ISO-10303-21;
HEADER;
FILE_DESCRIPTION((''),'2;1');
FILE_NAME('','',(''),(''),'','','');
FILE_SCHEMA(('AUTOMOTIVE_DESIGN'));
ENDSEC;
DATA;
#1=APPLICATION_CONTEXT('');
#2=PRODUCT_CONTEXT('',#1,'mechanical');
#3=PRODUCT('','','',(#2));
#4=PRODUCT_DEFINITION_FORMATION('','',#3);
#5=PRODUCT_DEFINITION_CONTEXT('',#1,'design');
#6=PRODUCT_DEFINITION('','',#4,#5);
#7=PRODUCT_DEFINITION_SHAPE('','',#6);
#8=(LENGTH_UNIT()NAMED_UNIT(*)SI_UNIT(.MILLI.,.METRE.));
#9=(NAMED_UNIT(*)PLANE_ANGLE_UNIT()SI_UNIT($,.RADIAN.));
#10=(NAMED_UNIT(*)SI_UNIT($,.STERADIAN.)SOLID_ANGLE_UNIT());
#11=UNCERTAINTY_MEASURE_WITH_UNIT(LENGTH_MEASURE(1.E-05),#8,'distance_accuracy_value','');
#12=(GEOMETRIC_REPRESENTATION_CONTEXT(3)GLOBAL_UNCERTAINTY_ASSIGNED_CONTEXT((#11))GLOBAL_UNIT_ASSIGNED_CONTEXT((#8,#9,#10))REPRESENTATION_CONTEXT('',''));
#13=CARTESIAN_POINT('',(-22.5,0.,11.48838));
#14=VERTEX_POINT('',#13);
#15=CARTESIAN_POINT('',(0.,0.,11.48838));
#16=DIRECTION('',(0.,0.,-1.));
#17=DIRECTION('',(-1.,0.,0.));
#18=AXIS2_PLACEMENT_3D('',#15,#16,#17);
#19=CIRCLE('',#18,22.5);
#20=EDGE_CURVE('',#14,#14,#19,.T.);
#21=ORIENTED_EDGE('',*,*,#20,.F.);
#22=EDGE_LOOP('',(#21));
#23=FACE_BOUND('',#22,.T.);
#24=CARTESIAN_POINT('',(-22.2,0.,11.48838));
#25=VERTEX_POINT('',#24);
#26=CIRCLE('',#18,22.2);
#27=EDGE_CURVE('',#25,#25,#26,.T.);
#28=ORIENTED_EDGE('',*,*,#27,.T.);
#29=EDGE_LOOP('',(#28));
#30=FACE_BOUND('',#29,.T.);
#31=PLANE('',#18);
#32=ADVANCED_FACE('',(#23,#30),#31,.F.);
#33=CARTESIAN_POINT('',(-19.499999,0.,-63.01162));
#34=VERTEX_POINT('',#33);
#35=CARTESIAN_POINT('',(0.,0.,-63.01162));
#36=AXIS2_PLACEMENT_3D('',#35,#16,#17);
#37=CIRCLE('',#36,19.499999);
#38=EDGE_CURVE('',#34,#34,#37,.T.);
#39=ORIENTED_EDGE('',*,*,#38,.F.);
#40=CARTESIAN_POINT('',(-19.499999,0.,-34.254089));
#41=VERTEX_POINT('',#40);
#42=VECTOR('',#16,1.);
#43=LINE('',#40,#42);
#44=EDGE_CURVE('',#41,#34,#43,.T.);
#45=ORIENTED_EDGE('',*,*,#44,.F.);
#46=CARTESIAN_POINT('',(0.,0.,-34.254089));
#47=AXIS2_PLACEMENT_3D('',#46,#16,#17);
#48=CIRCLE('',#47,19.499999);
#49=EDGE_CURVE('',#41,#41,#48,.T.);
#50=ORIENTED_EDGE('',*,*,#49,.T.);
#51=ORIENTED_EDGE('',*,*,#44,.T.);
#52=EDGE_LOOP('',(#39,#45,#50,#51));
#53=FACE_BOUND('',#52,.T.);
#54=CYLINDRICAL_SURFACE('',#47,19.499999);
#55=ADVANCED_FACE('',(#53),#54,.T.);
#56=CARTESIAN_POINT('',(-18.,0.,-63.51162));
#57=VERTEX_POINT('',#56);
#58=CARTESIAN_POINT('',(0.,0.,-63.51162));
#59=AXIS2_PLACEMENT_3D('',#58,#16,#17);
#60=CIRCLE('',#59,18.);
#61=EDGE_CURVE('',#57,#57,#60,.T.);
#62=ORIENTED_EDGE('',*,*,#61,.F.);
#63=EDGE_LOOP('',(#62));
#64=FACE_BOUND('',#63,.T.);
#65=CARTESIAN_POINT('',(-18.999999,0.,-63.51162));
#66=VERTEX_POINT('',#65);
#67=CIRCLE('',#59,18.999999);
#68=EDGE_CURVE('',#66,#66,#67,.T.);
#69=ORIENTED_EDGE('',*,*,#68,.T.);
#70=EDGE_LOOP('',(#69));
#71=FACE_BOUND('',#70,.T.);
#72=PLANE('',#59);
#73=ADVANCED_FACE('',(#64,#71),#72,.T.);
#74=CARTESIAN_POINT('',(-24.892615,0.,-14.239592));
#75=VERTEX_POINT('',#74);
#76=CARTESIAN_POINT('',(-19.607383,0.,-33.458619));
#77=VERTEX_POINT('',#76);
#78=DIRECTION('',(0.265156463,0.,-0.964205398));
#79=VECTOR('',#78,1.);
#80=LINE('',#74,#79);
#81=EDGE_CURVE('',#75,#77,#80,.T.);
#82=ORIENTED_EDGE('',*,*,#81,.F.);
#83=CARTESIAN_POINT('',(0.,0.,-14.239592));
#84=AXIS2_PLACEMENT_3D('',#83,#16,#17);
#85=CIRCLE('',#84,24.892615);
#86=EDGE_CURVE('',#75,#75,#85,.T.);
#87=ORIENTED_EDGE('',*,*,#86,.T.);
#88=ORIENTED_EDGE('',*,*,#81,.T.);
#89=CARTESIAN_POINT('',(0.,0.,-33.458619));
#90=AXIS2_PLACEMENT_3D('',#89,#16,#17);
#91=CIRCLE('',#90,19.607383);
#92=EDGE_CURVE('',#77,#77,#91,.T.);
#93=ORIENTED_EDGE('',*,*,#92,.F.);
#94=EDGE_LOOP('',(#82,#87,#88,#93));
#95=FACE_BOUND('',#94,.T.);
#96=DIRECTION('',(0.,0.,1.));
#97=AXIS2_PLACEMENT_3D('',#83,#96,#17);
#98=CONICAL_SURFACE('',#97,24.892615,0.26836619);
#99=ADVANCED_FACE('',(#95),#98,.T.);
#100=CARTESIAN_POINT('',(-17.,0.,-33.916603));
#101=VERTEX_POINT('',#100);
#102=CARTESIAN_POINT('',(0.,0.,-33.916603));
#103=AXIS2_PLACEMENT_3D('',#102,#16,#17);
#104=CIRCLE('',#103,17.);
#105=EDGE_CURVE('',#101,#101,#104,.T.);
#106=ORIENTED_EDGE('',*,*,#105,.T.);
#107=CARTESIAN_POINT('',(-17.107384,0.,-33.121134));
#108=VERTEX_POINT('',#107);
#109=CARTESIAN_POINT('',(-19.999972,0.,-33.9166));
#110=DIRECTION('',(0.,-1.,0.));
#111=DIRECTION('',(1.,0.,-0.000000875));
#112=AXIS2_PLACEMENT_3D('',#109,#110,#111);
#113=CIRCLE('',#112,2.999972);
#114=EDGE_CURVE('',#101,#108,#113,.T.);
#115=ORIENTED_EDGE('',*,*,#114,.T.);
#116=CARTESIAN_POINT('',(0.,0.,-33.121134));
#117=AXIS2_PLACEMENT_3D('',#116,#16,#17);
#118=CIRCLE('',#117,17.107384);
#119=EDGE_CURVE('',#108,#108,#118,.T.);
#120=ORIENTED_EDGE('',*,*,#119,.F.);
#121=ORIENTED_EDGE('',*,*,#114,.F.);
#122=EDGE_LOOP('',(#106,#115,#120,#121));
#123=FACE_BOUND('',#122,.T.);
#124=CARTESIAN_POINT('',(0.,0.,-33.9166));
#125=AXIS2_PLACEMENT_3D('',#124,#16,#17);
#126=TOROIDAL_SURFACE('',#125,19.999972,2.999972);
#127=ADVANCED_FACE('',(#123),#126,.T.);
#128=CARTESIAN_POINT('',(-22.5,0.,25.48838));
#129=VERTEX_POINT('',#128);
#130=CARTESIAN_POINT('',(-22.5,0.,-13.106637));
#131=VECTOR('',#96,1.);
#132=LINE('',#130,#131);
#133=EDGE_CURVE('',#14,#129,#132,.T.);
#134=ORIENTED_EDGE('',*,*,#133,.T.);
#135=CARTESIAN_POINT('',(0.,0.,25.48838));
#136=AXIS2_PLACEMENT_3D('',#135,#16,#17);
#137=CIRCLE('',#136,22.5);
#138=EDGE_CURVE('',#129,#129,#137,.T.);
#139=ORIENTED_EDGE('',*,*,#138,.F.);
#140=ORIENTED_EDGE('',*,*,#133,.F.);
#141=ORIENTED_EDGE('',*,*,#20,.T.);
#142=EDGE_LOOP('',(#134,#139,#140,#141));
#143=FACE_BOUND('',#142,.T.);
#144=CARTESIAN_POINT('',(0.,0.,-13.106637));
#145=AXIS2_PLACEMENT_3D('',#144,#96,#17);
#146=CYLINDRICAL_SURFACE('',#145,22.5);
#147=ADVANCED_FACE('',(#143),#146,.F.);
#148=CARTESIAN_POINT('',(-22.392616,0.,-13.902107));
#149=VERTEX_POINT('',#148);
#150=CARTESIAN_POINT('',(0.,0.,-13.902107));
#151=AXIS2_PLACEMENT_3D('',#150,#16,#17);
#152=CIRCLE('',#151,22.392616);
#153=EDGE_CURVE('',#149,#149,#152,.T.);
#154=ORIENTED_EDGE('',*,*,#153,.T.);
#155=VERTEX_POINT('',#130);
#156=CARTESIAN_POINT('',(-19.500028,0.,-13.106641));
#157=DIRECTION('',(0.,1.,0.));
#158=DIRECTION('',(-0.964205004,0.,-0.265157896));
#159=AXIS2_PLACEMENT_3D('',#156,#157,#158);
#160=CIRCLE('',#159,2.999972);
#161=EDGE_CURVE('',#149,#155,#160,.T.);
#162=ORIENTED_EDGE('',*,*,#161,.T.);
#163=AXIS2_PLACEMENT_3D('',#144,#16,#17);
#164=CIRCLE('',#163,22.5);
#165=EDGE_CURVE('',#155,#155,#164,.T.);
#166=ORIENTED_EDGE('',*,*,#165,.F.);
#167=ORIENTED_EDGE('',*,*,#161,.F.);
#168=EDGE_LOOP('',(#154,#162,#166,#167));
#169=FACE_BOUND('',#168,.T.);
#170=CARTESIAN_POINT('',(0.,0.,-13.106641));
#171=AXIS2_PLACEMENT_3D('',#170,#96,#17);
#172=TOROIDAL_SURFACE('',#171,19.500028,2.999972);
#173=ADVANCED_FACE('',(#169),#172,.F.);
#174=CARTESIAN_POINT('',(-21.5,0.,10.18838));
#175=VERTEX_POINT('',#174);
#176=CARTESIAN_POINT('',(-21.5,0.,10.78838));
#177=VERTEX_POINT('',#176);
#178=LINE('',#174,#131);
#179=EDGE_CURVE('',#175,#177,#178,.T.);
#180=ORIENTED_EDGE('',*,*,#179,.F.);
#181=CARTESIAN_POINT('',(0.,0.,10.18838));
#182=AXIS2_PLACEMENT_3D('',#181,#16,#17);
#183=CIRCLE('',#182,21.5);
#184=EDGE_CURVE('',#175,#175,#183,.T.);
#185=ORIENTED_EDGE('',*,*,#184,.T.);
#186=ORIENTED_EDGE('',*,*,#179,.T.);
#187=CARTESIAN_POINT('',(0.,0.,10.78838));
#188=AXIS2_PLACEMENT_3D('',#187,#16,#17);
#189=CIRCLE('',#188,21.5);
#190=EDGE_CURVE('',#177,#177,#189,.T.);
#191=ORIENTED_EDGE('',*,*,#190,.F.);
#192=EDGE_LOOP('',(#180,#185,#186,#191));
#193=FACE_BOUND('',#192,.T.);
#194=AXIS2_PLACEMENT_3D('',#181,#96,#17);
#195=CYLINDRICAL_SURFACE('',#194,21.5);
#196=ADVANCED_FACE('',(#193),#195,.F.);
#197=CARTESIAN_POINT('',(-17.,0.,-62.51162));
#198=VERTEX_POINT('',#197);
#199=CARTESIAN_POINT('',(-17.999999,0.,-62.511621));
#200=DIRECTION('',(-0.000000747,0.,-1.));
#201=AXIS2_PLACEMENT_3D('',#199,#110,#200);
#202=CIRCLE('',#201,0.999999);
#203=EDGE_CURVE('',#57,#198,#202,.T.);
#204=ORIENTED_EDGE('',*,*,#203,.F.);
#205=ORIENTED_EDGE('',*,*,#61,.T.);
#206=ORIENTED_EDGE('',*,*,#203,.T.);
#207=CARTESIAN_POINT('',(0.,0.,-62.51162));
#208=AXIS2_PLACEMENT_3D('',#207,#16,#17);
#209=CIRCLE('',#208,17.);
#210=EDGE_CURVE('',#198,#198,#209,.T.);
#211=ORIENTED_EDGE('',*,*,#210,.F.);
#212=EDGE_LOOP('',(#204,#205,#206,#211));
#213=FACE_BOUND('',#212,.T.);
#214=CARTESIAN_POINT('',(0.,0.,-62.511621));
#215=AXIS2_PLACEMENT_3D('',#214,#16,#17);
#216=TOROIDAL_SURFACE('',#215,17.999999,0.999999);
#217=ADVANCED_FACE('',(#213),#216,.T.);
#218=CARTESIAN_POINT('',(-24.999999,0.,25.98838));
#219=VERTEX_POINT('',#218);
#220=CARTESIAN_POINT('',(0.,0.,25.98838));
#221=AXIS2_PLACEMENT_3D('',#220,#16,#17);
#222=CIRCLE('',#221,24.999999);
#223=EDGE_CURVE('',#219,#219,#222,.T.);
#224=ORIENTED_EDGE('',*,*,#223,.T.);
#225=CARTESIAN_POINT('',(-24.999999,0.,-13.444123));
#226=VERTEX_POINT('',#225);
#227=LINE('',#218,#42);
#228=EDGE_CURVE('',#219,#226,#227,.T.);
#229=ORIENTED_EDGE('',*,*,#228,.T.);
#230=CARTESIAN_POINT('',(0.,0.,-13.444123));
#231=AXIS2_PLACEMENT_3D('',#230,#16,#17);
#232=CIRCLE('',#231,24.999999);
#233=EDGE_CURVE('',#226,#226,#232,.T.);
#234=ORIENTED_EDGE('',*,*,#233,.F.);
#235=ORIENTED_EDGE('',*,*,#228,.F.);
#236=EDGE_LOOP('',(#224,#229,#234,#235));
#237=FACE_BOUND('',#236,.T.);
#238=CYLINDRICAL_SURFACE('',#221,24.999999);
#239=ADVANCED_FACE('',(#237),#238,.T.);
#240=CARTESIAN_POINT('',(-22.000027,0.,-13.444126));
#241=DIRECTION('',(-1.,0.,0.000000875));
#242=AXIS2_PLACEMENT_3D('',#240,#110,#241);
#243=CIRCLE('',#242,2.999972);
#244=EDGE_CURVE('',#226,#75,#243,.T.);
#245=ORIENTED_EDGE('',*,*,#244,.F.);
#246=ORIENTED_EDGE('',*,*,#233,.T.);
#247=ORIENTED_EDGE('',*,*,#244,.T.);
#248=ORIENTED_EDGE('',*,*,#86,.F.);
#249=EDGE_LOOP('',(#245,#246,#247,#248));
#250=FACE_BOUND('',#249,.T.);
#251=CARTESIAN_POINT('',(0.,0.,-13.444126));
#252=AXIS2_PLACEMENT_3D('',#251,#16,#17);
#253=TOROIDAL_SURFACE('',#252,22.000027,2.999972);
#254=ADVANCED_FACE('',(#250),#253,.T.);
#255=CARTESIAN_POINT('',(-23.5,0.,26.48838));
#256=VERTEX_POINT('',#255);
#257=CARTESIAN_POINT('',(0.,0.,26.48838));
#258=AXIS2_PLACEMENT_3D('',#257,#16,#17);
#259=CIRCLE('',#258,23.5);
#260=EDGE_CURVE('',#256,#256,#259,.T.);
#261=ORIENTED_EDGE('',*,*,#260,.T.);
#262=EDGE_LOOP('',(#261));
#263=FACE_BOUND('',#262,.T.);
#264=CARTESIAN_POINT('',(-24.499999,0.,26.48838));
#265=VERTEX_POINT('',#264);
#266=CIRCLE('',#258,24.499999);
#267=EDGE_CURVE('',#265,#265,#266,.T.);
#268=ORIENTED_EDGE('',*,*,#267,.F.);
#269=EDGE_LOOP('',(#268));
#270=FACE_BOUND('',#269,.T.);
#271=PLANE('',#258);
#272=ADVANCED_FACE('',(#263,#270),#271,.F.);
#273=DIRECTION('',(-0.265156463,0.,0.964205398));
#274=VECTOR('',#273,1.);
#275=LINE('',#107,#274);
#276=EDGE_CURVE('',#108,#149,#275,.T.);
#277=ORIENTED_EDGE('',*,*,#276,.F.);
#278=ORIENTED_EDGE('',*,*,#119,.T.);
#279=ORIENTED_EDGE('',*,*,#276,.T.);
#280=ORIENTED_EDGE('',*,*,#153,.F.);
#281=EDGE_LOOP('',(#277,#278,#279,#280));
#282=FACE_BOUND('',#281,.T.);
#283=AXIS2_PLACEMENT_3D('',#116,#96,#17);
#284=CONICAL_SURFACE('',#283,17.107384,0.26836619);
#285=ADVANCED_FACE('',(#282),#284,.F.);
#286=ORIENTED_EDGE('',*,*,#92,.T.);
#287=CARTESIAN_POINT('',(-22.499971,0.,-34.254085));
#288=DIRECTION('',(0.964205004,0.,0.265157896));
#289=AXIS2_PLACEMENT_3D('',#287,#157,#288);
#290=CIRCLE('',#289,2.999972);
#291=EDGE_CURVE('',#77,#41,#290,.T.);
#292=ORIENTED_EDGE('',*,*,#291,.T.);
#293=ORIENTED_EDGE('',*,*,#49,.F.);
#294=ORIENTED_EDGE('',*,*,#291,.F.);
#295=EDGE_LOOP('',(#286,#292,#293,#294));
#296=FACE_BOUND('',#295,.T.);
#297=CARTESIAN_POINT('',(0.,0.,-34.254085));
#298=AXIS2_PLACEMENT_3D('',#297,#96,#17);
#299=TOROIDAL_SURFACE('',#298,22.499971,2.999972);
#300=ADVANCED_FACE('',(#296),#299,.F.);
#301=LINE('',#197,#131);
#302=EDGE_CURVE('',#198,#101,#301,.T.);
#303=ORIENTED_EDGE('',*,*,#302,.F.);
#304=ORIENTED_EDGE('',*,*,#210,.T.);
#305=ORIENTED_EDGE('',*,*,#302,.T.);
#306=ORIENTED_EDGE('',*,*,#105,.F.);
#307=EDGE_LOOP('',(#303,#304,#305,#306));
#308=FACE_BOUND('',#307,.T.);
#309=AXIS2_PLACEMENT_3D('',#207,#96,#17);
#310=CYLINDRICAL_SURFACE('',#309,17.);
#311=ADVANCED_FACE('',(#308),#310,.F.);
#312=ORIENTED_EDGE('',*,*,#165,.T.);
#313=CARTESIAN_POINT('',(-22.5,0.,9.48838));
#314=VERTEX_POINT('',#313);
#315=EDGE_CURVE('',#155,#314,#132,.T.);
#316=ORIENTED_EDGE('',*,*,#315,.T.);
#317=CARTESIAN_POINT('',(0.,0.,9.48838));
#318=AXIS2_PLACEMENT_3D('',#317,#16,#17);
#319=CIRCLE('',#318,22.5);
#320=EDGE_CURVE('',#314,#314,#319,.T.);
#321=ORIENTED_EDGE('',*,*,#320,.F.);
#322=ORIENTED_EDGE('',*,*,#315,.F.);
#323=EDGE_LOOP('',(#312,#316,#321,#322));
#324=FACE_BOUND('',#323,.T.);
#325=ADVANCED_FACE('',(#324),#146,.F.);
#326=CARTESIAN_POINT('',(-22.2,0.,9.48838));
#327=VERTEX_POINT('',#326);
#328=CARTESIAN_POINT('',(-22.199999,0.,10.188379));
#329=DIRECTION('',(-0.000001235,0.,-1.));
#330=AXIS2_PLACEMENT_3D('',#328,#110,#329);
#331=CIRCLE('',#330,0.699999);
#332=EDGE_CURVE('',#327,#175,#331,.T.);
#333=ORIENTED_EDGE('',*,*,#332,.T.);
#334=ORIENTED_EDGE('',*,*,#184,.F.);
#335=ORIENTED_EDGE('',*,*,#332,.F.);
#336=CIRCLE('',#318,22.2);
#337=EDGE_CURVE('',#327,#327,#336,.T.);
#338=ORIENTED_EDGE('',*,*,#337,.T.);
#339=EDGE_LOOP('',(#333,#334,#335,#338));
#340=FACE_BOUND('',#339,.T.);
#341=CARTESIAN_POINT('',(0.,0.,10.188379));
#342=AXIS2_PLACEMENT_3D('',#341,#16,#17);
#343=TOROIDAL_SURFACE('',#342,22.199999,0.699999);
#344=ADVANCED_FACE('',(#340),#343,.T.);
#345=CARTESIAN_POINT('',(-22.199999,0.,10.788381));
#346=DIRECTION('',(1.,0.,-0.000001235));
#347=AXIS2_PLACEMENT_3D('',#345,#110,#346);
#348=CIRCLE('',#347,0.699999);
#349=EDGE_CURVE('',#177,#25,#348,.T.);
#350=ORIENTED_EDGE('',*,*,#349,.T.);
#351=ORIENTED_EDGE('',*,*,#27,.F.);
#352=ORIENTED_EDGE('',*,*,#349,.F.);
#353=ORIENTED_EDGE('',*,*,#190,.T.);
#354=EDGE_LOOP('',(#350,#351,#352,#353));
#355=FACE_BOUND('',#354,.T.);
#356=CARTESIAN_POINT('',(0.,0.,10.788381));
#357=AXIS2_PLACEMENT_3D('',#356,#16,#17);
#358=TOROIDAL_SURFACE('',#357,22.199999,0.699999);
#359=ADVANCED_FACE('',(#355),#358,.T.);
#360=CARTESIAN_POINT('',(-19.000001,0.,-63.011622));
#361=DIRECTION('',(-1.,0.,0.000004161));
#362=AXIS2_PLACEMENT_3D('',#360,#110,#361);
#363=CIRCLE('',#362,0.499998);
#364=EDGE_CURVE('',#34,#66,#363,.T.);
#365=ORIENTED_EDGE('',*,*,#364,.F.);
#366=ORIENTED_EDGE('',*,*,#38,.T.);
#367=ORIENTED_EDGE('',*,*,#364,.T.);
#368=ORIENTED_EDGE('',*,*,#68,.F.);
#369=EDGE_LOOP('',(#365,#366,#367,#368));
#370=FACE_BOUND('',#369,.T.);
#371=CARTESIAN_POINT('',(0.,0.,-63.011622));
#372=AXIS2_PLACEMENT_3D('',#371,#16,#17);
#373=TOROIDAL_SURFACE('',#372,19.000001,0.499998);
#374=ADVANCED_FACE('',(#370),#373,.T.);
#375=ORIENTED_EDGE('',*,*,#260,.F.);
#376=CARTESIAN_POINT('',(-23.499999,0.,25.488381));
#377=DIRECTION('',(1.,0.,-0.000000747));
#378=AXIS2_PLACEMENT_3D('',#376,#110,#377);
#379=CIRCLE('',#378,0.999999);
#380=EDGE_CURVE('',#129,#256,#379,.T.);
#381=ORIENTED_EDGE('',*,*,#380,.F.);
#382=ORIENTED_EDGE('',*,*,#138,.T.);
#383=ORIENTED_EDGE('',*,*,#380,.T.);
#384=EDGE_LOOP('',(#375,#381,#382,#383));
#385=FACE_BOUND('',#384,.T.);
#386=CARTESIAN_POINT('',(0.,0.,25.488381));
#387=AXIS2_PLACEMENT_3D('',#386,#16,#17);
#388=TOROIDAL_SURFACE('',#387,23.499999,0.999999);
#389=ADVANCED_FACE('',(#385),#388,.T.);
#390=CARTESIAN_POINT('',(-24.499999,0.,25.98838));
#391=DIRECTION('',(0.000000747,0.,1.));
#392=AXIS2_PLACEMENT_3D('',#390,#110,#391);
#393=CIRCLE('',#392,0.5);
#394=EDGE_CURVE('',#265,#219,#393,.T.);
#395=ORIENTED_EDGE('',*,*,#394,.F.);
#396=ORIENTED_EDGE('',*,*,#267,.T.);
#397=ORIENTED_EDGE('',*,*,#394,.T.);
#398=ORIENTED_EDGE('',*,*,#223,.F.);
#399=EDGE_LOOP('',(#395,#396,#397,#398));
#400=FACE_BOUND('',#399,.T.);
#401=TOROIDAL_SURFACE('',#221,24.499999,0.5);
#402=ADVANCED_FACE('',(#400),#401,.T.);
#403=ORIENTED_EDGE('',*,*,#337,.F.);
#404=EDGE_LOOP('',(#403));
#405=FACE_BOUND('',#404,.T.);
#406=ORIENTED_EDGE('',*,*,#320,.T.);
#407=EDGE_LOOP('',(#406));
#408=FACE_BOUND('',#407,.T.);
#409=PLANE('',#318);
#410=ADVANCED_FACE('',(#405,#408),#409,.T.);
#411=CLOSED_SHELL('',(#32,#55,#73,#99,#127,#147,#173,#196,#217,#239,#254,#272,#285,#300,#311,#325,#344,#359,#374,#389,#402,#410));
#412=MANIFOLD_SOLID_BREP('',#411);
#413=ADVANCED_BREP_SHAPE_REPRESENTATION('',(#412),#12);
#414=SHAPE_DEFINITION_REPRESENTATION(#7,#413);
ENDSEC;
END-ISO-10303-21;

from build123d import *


with BuildPart() as f1:
    # F0 (on Front) → F1 (revolve)
    with BuildSketch(Plane.XZ):
        with BuildLine():
            Line((-22.5, 11.48838), (-22.5, 25.48838))
            ThreePointArc((-22.5, 25.48838), (-22.792893, 26.195487), (-23.5, 26.48838))
            Line((-23.5, 26.48838), (-24.499999, 26.48838))
            ThreePointArc((-24.499999, 26.48838), (-24.853553, 26.341933), (-24.999999, 25.98838))
            Line((-24.999999, 25.98838), (-24.999999, -13.444123))
            ThreePointArc((-24.999999, -13.444123), (-24.973032, -13.845465), (-24.892615, -14.239592))
            Line((-24.892615, -14.239592), (-19.607383, -33.458619))
            ThreePointArc((-19.607383, -33.458619), (-19.526966, -33.852746), (-19.499999, -34.254089))
            Line((-19.499999, -34.254089), (-19.499999, -63.01162))
            ThreePointArc((-19.499999, -63.01162), (-19.353553, -63.365174), (-18.999999, -63.51162))
            Line((-18.999999, -63.51162), (-18, -63.51162))
            ThreePointArc((-18, -63.51162), (-17.292893, -63.218727), (-17, -62.51162))
            Line((-17, -62.51162), (-17, -33.916603))
            ThreePointArc((-17, -33.916603), (-17.026967, -33.515261), (-17.107384, -33.121134))
            Line((-17.107384, -33.121134), (-22.392616, -13.902107))
            ThreePointArc((-22.392616, -13.902107), (-22.473033, -13.50798), (-22.5, -13.106637))
            Line((-22.5, -13.106637), (-22.5, 9.48838))
            Line((-22.5, 9.48838), (-22.5, 11.48838))
        make_face()
        with BuildLine():
            Line((-22.2, 11.48838), (-22.5, 11.48838))
            Line((-22.5, 11.48838), (-22.5, 9.48838))
            Line((-22.5, 9.48838), (-22.2, 9.48838))
            ThreePointArc((-22.2, 9.48838), (-21.705025, 9.693405), (-21.5, 10.18838))
            Line((-21.5, 10.18838), (-21.5, 10.78838))
            ThreePointArc((-21.5, 10.78838), (-21.705025, 11.283355), (-22.2, 11.48838))
        make_face()
    revolve(axis=Axis((0, 0, -49.657743), (0, 0, -1)))


solid = f1.part
